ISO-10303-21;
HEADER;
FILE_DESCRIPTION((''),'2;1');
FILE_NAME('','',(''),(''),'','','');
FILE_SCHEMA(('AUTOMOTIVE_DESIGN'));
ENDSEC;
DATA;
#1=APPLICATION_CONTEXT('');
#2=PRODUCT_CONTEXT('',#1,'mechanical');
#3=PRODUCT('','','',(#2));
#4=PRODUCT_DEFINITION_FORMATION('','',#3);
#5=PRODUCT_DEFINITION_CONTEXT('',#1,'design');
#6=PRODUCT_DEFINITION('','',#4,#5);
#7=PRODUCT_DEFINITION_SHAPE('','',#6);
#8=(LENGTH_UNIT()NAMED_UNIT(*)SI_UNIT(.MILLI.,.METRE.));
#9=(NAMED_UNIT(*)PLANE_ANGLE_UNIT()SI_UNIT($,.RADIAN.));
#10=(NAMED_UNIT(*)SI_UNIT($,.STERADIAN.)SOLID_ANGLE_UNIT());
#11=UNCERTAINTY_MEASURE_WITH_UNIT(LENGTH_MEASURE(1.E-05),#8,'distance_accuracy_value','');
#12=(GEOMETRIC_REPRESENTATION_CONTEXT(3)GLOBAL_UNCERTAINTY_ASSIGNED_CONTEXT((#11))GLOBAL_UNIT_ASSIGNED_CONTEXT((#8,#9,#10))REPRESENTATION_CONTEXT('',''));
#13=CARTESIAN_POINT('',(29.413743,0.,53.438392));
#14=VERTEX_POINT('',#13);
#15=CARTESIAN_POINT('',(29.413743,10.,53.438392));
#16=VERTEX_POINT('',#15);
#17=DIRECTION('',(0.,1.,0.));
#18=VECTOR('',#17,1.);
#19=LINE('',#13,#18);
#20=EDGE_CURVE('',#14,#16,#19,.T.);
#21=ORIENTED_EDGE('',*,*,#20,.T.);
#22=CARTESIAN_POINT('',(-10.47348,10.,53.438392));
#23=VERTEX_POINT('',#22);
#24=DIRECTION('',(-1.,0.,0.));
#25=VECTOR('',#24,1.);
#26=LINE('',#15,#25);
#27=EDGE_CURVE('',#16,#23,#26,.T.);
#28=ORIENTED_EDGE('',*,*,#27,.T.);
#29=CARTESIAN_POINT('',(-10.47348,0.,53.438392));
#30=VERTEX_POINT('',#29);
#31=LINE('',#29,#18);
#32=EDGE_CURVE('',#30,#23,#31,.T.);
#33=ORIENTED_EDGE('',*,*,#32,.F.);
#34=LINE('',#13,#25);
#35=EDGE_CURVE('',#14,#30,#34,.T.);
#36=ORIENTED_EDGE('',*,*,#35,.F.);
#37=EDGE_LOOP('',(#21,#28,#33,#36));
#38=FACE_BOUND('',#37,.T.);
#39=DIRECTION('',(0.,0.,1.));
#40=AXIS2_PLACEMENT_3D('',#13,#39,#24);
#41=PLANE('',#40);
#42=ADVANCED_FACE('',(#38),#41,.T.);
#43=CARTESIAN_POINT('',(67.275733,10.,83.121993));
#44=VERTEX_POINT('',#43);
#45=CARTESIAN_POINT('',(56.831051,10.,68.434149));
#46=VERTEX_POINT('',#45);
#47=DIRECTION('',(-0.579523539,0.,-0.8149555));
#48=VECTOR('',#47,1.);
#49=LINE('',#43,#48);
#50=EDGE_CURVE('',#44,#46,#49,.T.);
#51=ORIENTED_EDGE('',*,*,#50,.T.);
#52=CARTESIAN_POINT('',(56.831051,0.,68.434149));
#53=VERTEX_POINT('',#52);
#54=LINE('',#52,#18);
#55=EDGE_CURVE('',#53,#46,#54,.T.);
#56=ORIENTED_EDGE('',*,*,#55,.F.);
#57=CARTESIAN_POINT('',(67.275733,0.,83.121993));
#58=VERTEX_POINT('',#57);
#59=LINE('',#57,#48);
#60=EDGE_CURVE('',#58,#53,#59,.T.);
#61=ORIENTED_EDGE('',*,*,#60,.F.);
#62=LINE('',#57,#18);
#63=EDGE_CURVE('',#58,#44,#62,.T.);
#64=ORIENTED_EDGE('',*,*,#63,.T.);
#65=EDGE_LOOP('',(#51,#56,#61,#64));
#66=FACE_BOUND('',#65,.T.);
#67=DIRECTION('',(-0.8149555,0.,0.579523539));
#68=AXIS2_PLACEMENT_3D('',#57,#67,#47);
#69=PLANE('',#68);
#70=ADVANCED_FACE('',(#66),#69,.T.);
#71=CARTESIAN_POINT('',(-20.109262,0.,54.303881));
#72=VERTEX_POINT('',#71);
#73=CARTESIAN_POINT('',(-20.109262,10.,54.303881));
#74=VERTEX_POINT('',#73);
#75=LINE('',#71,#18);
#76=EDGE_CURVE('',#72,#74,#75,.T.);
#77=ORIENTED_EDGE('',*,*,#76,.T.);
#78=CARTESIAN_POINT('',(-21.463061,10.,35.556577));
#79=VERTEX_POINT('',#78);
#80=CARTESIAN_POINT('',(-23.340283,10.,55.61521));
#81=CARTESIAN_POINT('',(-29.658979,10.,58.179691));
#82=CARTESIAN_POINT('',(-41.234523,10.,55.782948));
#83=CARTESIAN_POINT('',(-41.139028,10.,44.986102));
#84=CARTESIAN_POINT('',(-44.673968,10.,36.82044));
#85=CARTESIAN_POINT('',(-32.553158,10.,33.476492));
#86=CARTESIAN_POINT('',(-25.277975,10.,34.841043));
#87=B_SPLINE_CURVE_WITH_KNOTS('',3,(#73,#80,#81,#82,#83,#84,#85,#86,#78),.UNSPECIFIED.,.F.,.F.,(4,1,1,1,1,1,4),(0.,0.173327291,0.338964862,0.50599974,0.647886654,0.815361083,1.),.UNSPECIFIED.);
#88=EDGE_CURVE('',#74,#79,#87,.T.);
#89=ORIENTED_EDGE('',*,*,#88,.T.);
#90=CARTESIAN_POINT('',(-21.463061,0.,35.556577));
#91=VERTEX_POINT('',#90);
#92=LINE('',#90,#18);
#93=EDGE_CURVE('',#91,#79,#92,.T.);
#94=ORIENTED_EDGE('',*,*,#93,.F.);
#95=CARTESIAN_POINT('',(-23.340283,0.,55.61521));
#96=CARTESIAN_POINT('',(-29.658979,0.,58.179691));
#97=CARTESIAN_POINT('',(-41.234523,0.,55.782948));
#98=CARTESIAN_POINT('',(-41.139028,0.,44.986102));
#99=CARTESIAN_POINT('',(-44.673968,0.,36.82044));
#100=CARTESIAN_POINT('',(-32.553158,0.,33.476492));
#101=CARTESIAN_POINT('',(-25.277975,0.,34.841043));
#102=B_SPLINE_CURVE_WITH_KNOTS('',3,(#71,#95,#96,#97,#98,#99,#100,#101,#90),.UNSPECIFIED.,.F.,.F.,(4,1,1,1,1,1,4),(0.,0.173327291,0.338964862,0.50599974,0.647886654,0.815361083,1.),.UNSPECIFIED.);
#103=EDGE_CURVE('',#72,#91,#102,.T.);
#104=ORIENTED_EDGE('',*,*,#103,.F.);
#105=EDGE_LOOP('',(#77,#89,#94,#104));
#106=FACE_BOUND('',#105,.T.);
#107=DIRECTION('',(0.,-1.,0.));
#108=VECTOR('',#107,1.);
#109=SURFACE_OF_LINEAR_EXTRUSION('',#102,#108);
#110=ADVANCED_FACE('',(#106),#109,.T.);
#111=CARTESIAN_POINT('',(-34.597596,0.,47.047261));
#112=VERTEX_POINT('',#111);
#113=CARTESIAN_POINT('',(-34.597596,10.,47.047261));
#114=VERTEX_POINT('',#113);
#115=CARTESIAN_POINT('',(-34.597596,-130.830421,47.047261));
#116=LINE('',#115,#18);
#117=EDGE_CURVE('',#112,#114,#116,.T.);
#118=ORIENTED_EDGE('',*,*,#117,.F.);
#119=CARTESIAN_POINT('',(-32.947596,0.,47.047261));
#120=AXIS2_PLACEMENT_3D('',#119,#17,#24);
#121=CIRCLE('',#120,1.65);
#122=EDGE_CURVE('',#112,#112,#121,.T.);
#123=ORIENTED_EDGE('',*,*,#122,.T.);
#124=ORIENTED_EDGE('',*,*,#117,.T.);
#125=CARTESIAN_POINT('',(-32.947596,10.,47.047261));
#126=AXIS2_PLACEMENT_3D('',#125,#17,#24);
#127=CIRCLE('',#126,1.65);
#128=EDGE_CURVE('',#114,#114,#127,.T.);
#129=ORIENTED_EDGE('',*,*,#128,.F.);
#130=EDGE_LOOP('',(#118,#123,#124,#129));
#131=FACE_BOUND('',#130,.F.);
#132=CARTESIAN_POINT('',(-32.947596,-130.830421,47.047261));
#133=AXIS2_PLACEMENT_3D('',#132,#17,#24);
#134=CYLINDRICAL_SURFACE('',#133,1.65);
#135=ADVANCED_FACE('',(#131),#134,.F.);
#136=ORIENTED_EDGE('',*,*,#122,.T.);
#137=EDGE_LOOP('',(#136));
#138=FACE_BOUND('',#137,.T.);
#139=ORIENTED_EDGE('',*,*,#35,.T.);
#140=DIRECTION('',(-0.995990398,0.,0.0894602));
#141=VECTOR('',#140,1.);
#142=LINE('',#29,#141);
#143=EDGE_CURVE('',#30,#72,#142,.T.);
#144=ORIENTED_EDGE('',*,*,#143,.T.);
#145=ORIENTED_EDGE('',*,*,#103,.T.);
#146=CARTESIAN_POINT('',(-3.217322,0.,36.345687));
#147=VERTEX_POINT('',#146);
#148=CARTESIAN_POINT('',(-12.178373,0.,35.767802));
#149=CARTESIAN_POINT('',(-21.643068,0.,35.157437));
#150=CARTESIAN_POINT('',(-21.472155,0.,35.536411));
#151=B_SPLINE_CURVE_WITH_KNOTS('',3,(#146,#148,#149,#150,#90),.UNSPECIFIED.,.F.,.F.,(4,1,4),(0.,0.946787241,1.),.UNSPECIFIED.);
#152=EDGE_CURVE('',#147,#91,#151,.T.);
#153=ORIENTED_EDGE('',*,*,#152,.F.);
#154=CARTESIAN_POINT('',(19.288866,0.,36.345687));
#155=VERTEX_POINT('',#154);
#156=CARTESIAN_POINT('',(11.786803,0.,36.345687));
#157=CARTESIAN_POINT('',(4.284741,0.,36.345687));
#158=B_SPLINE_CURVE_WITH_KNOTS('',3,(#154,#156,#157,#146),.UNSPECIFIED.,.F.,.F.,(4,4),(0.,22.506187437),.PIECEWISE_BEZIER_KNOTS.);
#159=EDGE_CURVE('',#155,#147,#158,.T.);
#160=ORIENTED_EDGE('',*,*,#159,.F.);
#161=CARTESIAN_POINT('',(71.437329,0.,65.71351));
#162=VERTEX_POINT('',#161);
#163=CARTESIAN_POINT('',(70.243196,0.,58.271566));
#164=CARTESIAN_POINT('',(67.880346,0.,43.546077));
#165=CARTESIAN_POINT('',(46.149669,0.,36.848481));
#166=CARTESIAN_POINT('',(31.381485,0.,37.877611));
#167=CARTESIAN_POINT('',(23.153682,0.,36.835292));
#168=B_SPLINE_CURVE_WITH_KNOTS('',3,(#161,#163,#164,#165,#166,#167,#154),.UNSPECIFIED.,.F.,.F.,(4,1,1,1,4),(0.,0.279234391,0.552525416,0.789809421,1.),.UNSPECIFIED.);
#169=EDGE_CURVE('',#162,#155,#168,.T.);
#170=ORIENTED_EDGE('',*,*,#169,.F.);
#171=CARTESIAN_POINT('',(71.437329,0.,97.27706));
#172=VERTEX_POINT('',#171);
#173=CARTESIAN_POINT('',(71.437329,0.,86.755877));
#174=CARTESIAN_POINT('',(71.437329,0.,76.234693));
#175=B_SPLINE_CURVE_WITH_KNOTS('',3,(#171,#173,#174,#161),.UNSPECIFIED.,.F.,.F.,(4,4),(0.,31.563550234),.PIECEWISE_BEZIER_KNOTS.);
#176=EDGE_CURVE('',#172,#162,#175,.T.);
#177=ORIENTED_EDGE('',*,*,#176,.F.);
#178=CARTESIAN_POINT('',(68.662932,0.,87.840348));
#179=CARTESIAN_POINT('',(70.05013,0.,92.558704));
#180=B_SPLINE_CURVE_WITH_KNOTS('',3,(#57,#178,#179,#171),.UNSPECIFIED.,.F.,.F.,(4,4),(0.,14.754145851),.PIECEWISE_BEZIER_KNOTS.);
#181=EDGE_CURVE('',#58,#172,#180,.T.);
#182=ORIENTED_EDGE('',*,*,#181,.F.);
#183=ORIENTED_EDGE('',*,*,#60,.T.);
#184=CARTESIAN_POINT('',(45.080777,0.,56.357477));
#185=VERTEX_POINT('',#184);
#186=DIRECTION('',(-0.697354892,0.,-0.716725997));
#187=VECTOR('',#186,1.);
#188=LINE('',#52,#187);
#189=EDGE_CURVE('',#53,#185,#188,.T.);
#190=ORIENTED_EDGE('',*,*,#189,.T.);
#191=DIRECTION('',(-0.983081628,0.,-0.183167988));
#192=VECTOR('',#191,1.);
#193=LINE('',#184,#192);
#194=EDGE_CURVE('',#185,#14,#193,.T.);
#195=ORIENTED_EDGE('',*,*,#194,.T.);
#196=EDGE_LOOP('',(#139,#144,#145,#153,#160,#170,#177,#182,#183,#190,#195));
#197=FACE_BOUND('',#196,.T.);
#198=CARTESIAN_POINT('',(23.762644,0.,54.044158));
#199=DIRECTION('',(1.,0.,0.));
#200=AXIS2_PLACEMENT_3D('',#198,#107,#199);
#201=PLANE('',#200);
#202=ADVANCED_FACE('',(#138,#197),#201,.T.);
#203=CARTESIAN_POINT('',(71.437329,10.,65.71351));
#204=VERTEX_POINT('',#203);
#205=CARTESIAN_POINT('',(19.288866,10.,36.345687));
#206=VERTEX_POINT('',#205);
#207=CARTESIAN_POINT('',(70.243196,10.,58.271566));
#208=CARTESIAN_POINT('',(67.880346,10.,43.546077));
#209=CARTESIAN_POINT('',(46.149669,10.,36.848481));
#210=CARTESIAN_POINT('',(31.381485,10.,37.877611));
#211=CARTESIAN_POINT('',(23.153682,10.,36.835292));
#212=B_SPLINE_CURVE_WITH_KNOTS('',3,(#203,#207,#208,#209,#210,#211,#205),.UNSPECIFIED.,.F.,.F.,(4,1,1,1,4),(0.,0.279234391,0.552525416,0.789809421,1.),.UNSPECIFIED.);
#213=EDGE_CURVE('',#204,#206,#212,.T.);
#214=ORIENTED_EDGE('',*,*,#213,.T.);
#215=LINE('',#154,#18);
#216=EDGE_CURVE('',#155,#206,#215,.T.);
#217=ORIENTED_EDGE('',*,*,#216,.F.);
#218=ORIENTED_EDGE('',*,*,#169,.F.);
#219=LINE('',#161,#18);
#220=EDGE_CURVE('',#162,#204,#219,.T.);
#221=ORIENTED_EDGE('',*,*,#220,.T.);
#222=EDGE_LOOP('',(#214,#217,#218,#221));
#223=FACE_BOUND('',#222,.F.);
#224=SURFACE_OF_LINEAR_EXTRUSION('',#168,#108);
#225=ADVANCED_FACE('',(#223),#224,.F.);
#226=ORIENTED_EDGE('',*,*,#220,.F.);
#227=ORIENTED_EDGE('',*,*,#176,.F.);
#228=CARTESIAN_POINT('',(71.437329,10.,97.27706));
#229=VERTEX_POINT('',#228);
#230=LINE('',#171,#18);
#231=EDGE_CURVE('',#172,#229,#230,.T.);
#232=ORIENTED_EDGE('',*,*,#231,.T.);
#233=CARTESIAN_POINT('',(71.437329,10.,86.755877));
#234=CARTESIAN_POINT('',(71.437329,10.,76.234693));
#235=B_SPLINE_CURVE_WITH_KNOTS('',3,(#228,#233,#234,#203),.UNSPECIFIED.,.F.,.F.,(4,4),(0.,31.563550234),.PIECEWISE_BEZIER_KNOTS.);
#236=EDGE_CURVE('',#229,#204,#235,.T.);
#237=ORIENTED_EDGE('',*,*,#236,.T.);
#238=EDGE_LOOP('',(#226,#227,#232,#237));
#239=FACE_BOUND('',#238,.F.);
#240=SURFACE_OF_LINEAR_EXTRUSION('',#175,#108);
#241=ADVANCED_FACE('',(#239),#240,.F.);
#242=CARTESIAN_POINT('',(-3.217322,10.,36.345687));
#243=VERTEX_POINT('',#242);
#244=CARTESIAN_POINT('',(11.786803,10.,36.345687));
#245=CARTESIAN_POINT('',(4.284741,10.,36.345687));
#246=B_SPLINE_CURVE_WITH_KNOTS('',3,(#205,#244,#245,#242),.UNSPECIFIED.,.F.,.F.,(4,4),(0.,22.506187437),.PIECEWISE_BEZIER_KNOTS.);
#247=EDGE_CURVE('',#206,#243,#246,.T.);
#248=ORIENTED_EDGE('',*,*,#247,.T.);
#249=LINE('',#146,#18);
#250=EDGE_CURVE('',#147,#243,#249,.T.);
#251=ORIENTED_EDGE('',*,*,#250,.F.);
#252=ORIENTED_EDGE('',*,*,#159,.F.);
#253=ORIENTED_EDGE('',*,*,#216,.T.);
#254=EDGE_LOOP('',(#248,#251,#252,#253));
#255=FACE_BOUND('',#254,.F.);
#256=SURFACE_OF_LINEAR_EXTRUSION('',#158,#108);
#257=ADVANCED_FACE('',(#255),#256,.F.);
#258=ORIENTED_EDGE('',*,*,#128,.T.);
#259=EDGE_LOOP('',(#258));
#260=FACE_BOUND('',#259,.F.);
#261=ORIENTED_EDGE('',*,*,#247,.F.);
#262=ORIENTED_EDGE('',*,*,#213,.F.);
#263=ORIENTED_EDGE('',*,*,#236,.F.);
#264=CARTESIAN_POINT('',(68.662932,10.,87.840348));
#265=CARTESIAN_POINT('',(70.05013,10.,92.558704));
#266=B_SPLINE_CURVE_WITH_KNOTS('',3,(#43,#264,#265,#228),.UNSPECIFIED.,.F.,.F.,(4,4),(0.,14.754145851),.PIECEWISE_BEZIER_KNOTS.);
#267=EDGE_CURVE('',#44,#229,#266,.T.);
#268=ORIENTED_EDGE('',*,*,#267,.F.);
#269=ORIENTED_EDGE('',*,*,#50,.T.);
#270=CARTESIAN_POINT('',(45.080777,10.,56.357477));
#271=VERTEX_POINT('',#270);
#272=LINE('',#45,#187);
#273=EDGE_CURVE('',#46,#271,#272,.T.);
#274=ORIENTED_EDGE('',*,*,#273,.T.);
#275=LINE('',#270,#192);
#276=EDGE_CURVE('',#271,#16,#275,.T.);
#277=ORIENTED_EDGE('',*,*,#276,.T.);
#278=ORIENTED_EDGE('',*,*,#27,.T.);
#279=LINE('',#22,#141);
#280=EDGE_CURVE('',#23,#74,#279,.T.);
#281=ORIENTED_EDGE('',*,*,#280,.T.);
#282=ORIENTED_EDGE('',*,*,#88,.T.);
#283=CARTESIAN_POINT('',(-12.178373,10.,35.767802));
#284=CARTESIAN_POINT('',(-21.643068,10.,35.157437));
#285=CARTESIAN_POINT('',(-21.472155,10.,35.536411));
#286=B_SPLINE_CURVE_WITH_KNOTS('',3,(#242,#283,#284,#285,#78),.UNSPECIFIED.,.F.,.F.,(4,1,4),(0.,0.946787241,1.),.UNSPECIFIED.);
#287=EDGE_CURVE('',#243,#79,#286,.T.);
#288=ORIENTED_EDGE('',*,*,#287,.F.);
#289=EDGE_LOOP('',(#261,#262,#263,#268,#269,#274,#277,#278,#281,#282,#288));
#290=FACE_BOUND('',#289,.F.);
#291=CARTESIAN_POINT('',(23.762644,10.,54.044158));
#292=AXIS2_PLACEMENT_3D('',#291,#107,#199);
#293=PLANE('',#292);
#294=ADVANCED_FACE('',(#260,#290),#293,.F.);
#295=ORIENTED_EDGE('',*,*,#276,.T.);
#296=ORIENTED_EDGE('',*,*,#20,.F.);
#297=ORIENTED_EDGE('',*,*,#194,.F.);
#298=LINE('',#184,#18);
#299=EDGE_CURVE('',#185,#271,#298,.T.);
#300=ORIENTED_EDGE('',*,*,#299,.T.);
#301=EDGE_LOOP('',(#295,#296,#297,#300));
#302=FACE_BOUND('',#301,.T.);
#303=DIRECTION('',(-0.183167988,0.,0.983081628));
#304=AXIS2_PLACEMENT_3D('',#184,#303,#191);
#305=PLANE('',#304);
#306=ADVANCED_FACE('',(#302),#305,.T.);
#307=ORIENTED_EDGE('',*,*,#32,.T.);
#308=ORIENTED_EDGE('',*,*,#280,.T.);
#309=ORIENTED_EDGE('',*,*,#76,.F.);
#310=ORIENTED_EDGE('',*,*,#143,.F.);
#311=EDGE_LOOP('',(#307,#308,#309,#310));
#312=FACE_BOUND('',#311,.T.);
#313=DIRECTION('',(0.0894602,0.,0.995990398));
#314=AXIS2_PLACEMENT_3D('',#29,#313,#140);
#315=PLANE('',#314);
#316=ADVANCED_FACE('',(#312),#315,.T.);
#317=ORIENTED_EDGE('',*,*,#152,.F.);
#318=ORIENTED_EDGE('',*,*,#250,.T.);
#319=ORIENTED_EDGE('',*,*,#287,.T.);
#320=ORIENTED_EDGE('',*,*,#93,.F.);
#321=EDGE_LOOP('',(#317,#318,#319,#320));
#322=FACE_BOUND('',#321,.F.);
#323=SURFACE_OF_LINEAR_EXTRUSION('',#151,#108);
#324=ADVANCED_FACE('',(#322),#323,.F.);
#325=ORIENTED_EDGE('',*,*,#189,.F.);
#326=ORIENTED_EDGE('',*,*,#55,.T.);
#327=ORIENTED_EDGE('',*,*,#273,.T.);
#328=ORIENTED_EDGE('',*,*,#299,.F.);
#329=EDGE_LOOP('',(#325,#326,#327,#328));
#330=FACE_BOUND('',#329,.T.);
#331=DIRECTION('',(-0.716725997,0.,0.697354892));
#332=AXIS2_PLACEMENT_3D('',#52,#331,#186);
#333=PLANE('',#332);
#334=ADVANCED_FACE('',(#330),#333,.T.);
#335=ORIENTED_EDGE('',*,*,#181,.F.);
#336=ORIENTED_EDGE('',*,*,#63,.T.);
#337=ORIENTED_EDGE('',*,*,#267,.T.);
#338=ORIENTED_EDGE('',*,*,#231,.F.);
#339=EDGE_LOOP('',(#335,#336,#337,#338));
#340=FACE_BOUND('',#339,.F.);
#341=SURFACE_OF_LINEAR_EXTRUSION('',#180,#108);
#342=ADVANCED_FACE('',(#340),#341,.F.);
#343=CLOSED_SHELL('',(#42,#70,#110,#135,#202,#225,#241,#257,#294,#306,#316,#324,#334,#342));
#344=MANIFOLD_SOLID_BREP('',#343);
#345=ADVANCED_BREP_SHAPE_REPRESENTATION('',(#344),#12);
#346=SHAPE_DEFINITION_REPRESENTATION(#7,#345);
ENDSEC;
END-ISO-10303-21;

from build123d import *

# Parameters (mm, degrees)
F1_DEPTH = 10
F3_D     = 3.3


with BuildPart() as f1:
    # F0 (on Front) → F1 (new body)
    with BuildSketch(Plane.XZ):
        with BuildLine():
            Line((-10.4734804481, 53.4383915365), (-20.1092623174, 54.3038807809))
            add(Edge.make_bspline(
                [(-20.1092623174, 54.3038807809), (-23.3402828463, 55.6152098778), (-29.658978649, 58.1796905384), (-41.2345234756, 55.7829477174), (-41.1390276998, 44.9861024455), (-44.6739675741, 36.8204398298), (-32.5531582873, 33.4764915402), (-25.2779745233, 34.8410426615), (-21.4630607516, 35.5565771461)],
                knots=[0, 0, 0, 0, 0.1733272911, 0.3389648617, 0.50599974, 0.6478866541, 0.8153610828, 1, 1, 1, 1], degree=3))
            add(Edge.make_bspline(
                [(-3.2173215877, 36.3456867635), (-12.1783734817, 35.7678015902), (-21.6430678813, 35.1574372459), (-21.4721554724, 35.5364109116), (-21.4630607516, 35.5565771461)],
                knots=[0, 0, 0, 0, 0.9467872406, 1, 1, 1, 1], degree=3))
            add(Edge.make_bspline(
                [(19.2888658494, 36.3456867635), (11.7868033703, 36.3456867635), (4.2847408913, 36.3456867635), (-3.2173215877, 36.3456867635)],
                knots=[0, 0, 0, 0, 22.5061874371, 22.5061874371, 22.5061874371, 22.5061874371], degree=3))
            add(Edge.make_bspline(
                [(71.4373290539, 65.7135099173), (70.2431957458, 58.2715662658), (67.8803456673, 43.5460770575), (46.1496688485, 36.8484810563), (31.3814852341, 37.8776108572), (23.1536815798, 36.8352915503), (19.2888658494, 36.3456867635)],
                knots=[0, 0, 0, 0, 0.2792343908, 0.5525254155, 0.7898094211, 1, 1, 1, 1], degree=3))
            add(Edge.make_bspline(
                [(71.4373290539, 83.1219926476), (71.4373290539, 77.3191650709), (71.4373290539, 71.5163374941), (71.4373290539, 65.7135099173)],
                knots=[0, 0, 0, 0, 17.4084827304, 17.4084827304, 17.4084827304, 17.4084827304], degree=3))
            add(Edge.make_bspline(
                [(71.4373290539, 97.2770601511), (71.4373290539, 92.5587043166), (71.4373290539, 87.8403484821), (71.4373290539, 83.1219926476)],
                knots=[0, 0, 0, 0, 14.1550675035, 14.1550675035, 14.1550675035, 14.1550675035], degree=3))
            add(Edge.make_bspline(
                [(67.2757327557, 83.1219926476), (68.6629315217, 87.8403484821), (70.0501302878, 92.5587043166), (71.4373290539, 97.2770601511)],
                knots=[0, 0, 0, 0, 14.7541458505, 14.7541458505, 14.7541458505, 14.7541458505], degree=3))
            Line((67.2757327557, 83.1219926476), (56.8310506642, 68.4341490269))
            Line((56.8310506642, 68.4341490269), (45.0807772577, 56.3574768603))
            Line((45.0807772577, 56.3574768603), (29.4137429446, 53.4383915365))
            Line((29.4137429446, 53.4383915365), (20.2746428549, 53.4383915365))
            Line((20.2746428549, 53.4383915365), (-1.8185856752, 53.4383915365))
            Line((-1.8185856752, 53.4383915365), (-10.4734804481, 53.4383915365))
        make_face()
    extrude(amount=-F1_DEPTH)

    # F3 (through all)
    with Locations(Plane.XZ):
        with Locations((-32.9475961626, 47.0472611487)):
            Hole(F3_D / 2)


solid = f1.part
